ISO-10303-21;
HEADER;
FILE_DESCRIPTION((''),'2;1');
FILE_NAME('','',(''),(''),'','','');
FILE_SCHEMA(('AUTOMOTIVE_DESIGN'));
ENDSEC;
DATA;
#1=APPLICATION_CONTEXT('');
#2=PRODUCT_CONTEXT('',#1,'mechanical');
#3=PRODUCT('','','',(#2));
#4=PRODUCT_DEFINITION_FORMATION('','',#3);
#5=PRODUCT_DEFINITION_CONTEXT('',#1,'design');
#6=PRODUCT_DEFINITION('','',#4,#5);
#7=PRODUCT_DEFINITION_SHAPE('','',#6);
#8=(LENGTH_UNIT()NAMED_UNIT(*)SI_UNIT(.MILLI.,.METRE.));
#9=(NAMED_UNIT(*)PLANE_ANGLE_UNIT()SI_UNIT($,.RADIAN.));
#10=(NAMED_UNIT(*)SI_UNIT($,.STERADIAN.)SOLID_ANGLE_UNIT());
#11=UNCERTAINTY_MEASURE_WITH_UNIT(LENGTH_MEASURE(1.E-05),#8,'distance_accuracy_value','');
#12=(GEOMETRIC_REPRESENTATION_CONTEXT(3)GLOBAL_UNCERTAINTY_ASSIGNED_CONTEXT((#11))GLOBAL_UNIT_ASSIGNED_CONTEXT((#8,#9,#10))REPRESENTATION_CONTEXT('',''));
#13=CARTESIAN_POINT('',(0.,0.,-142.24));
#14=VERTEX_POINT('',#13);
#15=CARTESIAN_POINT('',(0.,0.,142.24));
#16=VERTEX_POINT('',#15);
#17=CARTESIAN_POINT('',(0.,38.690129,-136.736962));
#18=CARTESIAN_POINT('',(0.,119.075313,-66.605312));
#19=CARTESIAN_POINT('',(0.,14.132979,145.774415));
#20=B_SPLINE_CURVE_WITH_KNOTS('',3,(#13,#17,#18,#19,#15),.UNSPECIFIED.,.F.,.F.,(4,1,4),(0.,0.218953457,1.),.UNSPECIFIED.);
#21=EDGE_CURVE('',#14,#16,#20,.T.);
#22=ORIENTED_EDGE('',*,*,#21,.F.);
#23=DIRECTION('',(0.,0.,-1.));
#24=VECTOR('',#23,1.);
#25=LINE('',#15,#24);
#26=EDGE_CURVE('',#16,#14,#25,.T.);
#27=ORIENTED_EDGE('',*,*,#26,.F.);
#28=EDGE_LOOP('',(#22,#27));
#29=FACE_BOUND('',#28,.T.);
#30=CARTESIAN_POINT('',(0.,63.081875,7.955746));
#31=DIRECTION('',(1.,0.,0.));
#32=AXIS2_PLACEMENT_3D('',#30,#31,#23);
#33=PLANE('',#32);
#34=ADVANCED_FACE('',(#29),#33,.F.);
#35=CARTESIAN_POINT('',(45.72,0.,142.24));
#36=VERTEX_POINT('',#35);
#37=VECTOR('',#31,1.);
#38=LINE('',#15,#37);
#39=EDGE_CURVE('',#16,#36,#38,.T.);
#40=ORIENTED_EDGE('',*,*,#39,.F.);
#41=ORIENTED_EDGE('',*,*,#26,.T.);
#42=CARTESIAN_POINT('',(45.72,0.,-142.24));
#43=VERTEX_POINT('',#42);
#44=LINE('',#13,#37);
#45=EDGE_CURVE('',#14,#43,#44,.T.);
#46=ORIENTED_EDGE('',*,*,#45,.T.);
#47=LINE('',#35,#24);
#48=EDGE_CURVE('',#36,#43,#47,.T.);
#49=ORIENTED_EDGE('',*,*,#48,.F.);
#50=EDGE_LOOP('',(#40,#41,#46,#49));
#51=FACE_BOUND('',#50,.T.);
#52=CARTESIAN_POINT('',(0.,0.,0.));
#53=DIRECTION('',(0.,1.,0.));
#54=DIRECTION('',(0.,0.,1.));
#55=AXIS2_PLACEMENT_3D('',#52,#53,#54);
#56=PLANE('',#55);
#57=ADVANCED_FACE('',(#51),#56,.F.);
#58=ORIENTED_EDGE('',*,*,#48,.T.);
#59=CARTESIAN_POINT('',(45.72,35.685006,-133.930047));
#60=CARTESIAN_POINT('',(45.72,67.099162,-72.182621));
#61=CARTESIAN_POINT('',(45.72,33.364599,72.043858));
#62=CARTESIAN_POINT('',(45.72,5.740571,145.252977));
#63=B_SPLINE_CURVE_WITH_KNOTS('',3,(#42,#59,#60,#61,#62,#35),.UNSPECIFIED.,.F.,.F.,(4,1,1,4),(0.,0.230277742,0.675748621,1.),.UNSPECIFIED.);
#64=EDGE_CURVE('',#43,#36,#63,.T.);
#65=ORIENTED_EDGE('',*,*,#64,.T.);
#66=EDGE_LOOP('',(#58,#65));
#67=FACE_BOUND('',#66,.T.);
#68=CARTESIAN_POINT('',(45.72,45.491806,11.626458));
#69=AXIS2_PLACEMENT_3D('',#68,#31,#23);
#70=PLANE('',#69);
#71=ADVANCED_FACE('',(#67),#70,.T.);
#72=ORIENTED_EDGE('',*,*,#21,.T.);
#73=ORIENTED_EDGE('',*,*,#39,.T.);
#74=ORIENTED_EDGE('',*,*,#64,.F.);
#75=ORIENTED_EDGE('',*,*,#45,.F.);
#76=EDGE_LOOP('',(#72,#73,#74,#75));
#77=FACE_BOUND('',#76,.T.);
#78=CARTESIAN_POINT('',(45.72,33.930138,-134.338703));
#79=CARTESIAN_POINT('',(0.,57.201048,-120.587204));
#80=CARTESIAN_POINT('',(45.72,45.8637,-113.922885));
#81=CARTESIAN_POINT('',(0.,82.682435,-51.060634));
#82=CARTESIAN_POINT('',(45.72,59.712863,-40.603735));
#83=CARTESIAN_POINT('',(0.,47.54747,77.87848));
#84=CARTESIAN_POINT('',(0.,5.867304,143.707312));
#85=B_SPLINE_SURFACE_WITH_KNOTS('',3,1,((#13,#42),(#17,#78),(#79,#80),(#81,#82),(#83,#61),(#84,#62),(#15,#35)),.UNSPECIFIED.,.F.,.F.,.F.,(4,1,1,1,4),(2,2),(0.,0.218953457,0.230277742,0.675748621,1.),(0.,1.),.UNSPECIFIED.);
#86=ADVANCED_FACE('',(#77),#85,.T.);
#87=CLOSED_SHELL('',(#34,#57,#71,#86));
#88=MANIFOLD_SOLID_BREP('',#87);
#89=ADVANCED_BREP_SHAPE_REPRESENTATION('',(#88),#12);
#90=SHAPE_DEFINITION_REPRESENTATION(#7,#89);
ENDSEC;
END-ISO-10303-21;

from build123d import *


with BuildPart() as part:
    # Sketch1 → Loft1 section 0
    with BuildSketch(Plane(origin=(0, 0, 0), x_dir=(0, 0, -1), z_dir=(1, 0, 0))):
        with BuildLine():
            Line((-142.24, 0), (142.24, 0))
            add(Edge.make_bspline(
                [(-142.24, 0), (-145.774415003, 14.132978697), (66.605312124, 119.075313212), (136.736962369, 38.690128909), (142.24, 0)],
                knots=[0, 0, 0, 0, 0.781046543, 1, 1, 1, 1], degree=3))
        make_face()
    # Sketch2 → Loft1 section 1
    with BuildSketch(Plane(origin=(45.72, 0, 0), x_dir=(0, 0, -1), z_dir=(1, 0, 0))):
        with BuildLine():
            Line((-142.24, 0), (142.24, 0))
            add(Edge.make_bspline(
                [(-142.24, 0), (-145.252976531, 5.740570619), (-72.043858061, 33.364598734), (72.18262115, 67.099162145), (133.930047256, 35.685006044), (142.24, 0)],
                knots=[0, 0, 0, 0, 0.324251379, 0.769722258, 1, 1, 1, 1], degree=3))
        make_face()
    loft()


solid = part.part
